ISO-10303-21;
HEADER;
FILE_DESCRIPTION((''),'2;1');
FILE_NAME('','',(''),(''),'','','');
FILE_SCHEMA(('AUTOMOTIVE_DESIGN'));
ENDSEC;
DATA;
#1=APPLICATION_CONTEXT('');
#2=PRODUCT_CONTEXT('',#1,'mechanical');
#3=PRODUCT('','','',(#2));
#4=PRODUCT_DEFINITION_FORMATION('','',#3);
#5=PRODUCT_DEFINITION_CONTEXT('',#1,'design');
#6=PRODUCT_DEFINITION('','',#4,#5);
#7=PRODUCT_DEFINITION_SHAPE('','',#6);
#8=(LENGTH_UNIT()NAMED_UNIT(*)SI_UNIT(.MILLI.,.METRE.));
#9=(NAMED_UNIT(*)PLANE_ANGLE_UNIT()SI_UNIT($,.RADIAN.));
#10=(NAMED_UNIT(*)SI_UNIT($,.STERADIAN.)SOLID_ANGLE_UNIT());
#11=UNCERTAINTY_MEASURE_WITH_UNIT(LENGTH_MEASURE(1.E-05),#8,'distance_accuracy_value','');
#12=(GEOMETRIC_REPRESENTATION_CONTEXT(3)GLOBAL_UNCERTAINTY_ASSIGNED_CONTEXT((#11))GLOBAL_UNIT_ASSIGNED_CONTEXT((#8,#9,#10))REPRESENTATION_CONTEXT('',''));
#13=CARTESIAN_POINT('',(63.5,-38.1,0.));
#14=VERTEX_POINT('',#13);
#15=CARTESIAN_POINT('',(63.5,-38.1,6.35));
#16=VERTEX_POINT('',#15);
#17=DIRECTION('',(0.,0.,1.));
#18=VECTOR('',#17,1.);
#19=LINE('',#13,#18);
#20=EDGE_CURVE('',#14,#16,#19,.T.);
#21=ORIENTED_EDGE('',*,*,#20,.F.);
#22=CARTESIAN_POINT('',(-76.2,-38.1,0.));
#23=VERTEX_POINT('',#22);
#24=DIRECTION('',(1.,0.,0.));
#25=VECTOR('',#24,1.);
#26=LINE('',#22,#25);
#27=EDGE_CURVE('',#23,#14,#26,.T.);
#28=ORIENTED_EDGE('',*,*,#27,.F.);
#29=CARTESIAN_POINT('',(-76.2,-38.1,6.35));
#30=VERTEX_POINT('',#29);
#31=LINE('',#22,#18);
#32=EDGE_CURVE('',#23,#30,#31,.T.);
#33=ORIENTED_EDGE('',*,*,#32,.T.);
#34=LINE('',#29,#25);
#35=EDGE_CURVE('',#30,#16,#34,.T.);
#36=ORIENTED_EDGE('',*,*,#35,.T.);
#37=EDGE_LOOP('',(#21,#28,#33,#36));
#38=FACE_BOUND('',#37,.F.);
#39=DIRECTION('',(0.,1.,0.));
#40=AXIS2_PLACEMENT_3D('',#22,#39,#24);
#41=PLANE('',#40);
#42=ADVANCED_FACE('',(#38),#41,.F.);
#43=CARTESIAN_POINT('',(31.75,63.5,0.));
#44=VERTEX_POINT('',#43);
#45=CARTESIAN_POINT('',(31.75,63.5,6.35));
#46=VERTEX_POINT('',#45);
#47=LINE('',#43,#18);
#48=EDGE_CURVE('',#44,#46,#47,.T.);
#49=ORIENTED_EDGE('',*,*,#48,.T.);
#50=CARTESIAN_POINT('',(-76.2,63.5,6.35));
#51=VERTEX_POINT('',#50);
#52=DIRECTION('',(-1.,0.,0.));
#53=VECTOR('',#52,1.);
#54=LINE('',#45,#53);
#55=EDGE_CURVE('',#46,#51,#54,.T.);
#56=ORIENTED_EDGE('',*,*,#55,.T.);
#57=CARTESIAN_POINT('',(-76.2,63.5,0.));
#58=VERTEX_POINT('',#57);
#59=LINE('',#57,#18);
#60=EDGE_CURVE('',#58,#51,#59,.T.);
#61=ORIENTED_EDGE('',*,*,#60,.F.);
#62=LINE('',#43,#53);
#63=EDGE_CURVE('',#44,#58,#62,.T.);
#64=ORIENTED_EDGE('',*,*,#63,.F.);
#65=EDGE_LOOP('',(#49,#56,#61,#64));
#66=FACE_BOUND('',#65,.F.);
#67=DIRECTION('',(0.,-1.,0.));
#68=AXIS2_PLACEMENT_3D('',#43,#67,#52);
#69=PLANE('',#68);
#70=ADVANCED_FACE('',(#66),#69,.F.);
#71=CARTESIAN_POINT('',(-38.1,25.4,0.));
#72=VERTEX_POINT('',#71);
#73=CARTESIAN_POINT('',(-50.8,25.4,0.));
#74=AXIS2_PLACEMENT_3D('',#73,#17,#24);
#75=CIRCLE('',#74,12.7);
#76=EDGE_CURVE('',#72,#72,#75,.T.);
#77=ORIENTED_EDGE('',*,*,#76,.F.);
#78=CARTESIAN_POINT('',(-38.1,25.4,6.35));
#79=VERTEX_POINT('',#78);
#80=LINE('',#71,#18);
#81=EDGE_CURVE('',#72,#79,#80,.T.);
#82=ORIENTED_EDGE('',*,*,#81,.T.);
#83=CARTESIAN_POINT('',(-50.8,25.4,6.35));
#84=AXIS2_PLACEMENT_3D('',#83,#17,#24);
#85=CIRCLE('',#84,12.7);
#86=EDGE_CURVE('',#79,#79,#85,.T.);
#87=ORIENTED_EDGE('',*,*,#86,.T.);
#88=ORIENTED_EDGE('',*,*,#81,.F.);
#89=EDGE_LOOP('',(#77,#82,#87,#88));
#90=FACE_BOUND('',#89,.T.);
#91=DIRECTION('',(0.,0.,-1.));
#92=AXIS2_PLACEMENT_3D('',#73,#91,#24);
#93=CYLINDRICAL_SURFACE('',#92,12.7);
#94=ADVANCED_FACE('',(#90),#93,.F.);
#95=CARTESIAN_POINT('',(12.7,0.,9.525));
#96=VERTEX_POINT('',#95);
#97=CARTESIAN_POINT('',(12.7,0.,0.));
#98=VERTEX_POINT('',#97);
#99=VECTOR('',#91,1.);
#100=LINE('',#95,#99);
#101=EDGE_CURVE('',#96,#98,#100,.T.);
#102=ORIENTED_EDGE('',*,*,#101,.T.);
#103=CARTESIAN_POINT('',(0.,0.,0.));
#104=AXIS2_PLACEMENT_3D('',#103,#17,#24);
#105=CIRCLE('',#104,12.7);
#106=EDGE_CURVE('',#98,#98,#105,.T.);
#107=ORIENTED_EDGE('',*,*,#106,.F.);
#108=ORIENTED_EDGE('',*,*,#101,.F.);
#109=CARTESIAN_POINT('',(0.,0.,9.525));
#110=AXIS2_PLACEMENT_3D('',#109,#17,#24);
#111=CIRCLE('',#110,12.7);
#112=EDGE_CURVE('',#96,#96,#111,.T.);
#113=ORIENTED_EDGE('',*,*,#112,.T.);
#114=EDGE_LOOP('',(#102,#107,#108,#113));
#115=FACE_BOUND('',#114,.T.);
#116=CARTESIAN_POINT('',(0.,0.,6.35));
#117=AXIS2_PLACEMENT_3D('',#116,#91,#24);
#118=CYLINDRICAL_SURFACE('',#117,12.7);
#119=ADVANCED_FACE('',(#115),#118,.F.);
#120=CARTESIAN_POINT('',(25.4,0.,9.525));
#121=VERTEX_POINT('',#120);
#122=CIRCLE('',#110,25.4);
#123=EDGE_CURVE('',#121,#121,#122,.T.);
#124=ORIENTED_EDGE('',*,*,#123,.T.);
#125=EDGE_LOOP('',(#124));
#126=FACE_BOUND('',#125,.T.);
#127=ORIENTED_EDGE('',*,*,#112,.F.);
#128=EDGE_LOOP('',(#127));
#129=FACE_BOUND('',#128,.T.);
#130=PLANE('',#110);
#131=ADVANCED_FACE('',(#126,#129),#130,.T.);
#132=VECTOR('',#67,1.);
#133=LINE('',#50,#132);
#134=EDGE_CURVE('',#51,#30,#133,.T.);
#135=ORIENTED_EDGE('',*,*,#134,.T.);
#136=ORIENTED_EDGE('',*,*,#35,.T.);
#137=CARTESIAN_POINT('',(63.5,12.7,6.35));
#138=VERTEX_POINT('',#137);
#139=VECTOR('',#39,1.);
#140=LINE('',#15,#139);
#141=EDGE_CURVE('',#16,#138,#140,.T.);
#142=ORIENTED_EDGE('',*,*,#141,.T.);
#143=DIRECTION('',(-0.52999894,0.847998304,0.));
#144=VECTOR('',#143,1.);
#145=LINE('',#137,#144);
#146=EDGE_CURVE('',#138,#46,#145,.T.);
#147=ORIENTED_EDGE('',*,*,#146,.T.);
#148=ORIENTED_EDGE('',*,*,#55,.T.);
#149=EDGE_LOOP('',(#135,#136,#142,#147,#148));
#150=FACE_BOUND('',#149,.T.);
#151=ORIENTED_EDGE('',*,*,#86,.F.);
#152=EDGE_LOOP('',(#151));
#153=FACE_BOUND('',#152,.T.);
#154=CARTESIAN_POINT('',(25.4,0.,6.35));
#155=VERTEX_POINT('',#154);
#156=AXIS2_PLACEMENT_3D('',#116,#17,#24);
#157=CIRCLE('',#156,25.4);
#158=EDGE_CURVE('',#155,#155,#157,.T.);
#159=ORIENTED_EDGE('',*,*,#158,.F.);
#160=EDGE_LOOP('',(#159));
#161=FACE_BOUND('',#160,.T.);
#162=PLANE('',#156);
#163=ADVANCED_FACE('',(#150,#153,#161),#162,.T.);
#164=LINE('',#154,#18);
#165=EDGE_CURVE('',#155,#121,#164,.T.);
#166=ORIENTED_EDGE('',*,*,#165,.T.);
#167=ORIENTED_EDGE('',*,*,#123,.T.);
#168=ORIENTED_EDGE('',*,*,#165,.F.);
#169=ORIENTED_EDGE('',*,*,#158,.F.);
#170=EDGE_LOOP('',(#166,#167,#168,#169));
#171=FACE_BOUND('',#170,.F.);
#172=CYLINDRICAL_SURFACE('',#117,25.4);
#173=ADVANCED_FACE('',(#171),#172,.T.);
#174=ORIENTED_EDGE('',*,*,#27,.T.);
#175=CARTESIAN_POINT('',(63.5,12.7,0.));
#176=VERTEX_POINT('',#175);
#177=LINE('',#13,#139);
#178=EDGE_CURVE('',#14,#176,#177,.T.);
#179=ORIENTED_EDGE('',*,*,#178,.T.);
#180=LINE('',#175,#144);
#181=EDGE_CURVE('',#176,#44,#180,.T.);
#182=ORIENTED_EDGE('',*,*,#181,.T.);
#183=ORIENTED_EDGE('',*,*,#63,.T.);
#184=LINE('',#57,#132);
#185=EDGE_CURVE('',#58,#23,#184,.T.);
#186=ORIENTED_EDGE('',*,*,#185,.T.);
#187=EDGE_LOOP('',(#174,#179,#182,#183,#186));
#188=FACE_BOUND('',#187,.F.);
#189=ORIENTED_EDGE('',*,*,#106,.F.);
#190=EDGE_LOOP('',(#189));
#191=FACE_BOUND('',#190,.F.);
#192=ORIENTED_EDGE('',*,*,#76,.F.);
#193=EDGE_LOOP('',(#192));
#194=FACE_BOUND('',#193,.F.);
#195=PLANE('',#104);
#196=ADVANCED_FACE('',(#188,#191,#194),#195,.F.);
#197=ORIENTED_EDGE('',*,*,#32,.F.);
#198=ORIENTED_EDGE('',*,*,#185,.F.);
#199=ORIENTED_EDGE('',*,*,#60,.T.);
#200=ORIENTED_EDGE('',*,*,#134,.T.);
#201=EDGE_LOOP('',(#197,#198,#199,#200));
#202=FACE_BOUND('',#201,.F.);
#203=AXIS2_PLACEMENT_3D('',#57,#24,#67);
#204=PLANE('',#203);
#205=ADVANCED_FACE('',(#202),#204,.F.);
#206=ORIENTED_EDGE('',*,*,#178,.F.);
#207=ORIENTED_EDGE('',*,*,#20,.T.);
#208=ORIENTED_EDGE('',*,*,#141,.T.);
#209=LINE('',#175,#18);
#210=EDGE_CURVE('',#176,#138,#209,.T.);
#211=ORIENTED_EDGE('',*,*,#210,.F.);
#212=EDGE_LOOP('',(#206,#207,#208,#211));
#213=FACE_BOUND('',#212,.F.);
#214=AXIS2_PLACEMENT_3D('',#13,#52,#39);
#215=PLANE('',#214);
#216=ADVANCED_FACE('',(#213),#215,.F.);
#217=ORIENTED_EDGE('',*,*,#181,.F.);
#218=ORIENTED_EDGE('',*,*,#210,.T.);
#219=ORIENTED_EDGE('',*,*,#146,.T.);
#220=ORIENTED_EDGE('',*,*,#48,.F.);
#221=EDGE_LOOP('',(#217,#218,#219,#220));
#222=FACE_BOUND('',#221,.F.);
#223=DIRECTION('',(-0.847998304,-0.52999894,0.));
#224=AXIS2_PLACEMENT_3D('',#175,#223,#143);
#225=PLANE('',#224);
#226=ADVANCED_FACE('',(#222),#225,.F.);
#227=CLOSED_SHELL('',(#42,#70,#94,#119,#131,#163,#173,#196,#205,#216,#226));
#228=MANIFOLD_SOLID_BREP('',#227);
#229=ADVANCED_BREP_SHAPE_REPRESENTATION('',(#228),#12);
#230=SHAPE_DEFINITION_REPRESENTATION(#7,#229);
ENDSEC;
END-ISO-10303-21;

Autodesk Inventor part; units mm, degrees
ref_plane "YZ Plane" through (0, 0, 0) normal (1, 0, 0) x (0, 1, 0)
ref_plane "XZ Plane" through (0, 0, 0) normal (0, 1, 0) x (-1, 0, 0)
ref_plane "XY Plane" through (0, 0, 0) normal (0, 0, 1) x (1, 0, 0)
sketch "Sketch1" plane through (0, 0, 0) normal (0, 0, 1) x (1, 0, 0)
  circle A0 centre (0, 0) radius 12.7
  circle A1 centre (0, 0) radius 25.4
  line L0 (-76.2, -38.1) -> (63.5, -38.1)
  line L1 (63.5, -38.1) -> (63.5, 12.7)
  line L2 (31.75, 63.5) -> (-76.2, 63.5)
  line L3 (-76.2, 63.5) -> (-76.2, -38.1)
  line L4 (-76.2, 63.5) -> (31.75, 63.5)
  line L5 (63.5, -38.1) -> (63.5, 12.7)
  line L6 (63.5, 12.7) -> (31.75, 63.5)
  circle A2 centre (-50.8, 25.4) radius 12.7
  dimension "d0" = 25.4
  dimension "d1" = 50.8
  dimension "d4" = 76.2
  dimension "d5" = 38.1
  dimension "d6" = 101.6
  dimension "d7" = 139.7
  dimension "d8" = 107.95
  dimension "d9" = 50.8
  dimension "d10" = 25.4
  dimension "d11" = 25.4
  dimension "d12" = 63.5
extrude "Extrusion1" add sketch "Sketch1" along normal blind 6.35 contours A1 | L3 L2 L6 L1 L0
sketch "Sketch2" plane through (0, 0, 6.35) normal (0, 0, 1) x (1, 0, 0)
  circle A0 centre (0, 0) radius 12.7
  circle A1 centre (0, 0) radius 25.4
  dimension "d15" = 25.4
  dimension "d16" = 50.8
extrude "Extrusion2" add sketch "Sketch2" along normal blind 3.175
properties part number "5-2"
